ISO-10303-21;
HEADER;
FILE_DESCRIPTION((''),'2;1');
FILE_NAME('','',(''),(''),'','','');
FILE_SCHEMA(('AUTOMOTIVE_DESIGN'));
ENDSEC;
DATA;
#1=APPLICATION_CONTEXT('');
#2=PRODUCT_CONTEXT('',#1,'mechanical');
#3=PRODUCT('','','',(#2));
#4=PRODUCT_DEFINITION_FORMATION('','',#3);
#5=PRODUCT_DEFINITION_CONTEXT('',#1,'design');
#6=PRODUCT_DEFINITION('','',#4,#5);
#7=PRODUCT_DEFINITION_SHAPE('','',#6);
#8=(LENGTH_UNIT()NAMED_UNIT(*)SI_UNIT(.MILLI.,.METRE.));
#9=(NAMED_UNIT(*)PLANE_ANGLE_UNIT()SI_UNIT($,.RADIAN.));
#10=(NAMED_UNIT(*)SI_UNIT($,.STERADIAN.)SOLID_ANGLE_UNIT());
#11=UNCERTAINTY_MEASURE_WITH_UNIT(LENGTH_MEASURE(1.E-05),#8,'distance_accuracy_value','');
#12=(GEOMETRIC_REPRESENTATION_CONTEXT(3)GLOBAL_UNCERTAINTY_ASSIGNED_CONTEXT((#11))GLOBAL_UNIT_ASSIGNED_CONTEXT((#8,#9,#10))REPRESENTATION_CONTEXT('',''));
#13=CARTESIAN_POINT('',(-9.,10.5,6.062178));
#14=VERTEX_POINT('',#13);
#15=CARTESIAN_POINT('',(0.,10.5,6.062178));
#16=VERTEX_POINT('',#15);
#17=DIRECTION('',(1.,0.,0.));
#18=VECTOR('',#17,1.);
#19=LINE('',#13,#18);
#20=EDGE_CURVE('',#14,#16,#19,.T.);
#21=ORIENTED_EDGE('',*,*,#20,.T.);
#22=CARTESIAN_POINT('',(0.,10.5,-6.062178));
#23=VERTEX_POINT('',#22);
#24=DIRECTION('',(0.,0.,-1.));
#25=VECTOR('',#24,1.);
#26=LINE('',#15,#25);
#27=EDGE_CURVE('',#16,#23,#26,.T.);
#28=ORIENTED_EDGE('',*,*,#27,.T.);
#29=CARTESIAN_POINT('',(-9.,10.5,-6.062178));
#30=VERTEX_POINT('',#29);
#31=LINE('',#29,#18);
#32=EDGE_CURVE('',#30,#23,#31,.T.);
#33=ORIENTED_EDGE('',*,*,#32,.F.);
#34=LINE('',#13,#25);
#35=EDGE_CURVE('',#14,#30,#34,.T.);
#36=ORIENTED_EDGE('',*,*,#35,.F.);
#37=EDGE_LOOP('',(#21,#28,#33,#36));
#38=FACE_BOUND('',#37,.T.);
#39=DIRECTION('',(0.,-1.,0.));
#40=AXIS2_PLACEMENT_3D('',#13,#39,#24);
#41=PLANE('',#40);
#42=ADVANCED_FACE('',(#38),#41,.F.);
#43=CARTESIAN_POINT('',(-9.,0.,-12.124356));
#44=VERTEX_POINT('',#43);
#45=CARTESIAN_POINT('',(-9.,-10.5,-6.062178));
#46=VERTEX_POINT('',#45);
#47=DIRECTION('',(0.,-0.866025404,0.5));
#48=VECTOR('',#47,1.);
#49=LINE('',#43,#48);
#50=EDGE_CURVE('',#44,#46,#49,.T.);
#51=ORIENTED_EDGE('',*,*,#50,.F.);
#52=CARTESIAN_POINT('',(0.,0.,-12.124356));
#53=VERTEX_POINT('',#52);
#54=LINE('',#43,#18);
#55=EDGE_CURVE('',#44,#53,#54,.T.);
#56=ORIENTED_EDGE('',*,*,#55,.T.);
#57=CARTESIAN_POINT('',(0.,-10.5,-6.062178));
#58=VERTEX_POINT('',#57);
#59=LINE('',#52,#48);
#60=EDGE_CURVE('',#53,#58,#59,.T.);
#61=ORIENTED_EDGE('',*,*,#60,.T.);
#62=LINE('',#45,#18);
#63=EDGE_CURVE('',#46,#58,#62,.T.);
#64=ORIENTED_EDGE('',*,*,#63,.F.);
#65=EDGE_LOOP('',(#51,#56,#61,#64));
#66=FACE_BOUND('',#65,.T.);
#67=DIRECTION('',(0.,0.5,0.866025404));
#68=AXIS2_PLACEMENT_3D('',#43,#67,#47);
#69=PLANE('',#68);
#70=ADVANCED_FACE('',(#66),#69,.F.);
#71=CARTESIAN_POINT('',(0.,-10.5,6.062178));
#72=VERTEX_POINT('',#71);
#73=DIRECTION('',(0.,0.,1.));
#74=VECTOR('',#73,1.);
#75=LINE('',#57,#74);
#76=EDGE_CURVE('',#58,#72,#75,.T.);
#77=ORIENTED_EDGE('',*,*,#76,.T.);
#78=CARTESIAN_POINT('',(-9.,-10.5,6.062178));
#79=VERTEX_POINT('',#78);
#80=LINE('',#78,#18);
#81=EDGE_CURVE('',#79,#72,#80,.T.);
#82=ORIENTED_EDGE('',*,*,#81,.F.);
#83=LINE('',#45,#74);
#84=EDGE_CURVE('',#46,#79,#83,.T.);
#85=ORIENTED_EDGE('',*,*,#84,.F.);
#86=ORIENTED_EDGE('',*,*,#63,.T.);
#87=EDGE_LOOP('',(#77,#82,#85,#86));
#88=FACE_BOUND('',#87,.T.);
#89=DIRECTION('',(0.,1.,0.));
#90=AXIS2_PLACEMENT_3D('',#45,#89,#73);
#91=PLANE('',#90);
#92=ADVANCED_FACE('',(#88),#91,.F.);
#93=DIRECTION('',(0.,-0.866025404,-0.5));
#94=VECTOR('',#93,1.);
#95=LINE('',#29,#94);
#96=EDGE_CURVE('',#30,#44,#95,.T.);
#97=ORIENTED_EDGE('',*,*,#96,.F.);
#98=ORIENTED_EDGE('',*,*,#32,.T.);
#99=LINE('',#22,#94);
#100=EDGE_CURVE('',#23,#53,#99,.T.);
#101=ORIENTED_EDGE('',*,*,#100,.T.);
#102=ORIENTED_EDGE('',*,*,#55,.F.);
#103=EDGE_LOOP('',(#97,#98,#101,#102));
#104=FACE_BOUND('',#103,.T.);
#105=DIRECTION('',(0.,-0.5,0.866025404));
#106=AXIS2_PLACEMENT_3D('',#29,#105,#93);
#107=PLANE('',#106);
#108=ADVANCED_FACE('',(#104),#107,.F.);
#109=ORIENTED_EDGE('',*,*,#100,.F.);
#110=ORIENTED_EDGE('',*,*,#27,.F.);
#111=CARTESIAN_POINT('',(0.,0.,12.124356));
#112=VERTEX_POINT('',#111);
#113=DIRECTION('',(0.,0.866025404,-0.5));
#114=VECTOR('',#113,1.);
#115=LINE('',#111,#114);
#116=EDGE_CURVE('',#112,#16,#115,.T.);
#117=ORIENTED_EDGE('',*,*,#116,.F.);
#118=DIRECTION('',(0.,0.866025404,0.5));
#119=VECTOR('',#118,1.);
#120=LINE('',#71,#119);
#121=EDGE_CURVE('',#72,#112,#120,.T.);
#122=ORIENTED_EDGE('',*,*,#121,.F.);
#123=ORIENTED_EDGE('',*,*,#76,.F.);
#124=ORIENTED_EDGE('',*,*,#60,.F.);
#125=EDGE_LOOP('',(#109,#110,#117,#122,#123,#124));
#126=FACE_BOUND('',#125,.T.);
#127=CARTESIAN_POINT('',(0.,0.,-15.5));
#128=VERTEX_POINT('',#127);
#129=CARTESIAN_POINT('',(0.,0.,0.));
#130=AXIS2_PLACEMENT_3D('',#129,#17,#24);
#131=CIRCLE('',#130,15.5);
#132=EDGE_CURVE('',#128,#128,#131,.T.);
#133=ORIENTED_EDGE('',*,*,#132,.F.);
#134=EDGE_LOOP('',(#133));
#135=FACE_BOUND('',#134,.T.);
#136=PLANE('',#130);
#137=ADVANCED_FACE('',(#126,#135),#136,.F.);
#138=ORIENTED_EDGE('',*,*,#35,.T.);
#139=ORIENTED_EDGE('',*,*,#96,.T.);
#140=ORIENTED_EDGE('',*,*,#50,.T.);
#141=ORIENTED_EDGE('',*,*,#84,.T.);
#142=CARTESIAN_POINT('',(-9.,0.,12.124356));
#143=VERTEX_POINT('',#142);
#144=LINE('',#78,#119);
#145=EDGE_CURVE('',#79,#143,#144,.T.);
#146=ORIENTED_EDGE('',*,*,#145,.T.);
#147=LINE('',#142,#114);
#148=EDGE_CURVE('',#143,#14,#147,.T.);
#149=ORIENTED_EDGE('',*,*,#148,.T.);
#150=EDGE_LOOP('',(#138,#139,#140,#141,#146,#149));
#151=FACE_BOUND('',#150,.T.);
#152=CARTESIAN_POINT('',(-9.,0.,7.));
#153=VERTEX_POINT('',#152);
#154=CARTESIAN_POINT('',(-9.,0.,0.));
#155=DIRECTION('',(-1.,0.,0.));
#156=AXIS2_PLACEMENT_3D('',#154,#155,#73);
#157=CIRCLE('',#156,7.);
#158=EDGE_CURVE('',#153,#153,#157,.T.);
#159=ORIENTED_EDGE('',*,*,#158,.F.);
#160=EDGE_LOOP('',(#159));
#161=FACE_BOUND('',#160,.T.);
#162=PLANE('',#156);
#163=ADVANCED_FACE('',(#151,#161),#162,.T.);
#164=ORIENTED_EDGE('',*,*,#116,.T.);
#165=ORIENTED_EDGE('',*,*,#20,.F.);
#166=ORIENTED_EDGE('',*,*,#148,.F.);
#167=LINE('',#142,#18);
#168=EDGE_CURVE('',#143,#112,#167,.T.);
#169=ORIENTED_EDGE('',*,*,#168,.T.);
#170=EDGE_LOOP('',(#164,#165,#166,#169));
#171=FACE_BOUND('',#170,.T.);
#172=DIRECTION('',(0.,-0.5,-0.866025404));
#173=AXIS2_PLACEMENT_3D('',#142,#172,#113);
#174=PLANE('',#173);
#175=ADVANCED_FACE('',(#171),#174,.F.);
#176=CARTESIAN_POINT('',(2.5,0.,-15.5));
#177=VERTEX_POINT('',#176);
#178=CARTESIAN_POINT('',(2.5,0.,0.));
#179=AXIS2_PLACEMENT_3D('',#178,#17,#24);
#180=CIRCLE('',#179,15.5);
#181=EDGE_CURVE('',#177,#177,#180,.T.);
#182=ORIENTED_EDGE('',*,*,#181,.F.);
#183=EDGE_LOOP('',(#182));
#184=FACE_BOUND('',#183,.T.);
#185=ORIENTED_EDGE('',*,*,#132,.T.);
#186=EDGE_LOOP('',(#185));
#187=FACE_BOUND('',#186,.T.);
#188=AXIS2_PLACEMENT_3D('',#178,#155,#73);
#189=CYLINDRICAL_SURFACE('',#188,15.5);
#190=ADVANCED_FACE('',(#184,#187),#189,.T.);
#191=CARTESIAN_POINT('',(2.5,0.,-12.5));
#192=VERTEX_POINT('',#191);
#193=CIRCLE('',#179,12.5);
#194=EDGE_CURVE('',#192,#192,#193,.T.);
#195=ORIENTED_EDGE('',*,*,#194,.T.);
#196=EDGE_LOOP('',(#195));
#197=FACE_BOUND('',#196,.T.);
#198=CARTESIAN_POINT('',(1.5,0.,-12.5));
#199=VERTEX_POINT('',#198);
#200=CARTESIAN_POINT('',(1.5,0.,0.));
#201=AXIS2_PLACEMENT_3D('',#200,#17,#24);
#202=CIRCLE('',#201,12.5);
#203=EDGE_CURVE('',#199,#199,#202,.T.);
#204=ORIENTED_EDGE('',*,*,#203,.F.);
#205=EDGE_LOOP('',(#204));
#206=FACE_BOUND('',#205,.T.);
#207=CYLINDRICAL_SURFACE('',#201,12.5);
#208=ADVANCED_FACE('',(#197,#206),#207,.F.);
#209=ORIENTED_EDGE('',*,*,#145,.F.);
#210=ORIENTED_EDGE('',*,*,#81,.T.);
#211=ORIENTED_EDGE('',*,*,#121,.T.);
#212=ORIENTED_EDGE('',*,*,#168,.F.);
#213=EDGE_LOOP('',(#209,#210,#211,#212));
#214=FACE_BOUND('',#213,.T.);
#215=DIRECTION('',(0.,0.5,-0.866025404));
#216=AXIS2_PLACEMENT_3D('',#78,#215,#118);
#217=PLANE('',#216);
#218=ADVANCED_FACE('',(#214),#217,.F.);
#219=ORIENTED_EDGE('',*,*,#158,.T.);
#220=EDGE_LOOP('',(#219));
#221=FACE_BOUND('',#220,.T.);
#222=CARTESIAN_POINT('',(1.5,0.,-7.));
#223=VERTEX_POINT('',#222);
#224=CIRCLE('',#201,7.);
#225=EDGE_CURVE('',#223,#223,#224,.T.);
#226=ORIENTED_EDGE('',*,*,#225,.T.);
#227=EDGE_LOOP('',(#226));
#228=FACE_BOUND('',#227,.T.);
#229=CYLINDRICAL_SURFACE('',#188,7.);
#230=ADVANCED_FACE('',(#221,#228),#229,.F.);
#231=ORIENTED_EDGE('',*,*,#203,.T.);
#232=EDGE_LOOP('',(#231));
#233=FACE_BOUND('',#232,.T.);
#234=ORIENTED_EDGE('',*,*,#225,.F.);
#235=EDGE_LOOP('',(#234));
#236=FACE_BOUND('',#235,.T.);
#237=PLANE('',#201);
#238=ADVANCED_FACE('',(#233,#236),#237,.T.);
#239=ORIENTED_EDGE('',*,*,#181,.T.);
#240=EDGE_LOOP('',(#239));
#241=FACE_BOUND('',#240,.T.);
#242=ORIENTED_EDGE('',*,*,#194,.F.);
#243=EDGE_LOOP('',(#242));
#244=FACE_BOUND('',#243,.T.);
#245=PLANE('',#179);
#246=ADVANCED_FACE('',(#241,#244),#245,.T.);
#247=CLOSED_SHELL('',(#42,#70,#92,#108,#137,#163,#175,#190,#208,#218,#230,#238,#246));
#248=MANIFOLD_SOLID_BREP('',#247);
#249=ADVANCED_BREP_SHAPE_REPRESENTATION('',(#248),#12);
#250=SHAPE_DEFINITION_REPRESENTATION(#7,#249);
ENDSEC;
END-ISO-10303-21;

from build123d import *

# Parameters (mm, degrees)
SKETCH1_R               = 15.5
BOSS_EXTRUDE2_DEPTH     = 2.5
SKETCH2_R               = 12.5
CUT_EXTRUDE1_DEPTH      = 1
BOSS_EXTRUDE3_DEPTH     = 9
SKETCH4_R               = 7
CUT_EXTRUDE2_DEPTH      = 1
CUT_EXTRUDE2_DEPTH_BACK = 12.5


with BuildPart() as part:
    # Sketch1 → Boss-Extrude2 (new body)
    with BuildSketch(Plane(origin=(0, 0, 0), x_dir=(0, 0, -1), z_dir=(1, 0, 0))):
        Circle(SKETCH1_R)
    extrude(amount=BOSS_EXTRUDE2_DEPTH)

    # Sketch2 → Cut-Extrude1 (cut)
    with BuildSketch(Plane(origin=(2.5, 0, 0), x_dir=(0, 0, -1), z_dir=(1, 0, 0))):
        Circle(SKETCH2_R)
    extrude(amount=-CUT_EXTRUDE1_DEPTH, mode=Mode.SUBTRACT)

    # Sketch3 → Boss-Extrude3 (add)
    with BuildSketch(Plane.ZY):
        Polygon((12.124355653, 0), (6.062177826, 10.5), (-6.062177826, 10.5), (-12.124355653, 0), (-6.062177826, -10.5), (6.062177826, -10.5), align=None)
    extrude(amount=BOSS_EXTRUDE3_DEPTH)

    # Sketch4 → Cut-Extrude2 (cut, two sides)
    with BuildSketch(Plane.ZY.offset(9)) as cut_extrude2_sk:
        Circle(SKETCH4_R)
    extrude(amount=CUT_EXTRUDE2_DEPTH, mode=Mode.SUBTRACT)
    extrude(cut_extrude2_sk.sketch, amount=-CUT_EXTRUDE2_DEPTH_BACK, mode=Mode.SUBTRACT)


solid = part.part
